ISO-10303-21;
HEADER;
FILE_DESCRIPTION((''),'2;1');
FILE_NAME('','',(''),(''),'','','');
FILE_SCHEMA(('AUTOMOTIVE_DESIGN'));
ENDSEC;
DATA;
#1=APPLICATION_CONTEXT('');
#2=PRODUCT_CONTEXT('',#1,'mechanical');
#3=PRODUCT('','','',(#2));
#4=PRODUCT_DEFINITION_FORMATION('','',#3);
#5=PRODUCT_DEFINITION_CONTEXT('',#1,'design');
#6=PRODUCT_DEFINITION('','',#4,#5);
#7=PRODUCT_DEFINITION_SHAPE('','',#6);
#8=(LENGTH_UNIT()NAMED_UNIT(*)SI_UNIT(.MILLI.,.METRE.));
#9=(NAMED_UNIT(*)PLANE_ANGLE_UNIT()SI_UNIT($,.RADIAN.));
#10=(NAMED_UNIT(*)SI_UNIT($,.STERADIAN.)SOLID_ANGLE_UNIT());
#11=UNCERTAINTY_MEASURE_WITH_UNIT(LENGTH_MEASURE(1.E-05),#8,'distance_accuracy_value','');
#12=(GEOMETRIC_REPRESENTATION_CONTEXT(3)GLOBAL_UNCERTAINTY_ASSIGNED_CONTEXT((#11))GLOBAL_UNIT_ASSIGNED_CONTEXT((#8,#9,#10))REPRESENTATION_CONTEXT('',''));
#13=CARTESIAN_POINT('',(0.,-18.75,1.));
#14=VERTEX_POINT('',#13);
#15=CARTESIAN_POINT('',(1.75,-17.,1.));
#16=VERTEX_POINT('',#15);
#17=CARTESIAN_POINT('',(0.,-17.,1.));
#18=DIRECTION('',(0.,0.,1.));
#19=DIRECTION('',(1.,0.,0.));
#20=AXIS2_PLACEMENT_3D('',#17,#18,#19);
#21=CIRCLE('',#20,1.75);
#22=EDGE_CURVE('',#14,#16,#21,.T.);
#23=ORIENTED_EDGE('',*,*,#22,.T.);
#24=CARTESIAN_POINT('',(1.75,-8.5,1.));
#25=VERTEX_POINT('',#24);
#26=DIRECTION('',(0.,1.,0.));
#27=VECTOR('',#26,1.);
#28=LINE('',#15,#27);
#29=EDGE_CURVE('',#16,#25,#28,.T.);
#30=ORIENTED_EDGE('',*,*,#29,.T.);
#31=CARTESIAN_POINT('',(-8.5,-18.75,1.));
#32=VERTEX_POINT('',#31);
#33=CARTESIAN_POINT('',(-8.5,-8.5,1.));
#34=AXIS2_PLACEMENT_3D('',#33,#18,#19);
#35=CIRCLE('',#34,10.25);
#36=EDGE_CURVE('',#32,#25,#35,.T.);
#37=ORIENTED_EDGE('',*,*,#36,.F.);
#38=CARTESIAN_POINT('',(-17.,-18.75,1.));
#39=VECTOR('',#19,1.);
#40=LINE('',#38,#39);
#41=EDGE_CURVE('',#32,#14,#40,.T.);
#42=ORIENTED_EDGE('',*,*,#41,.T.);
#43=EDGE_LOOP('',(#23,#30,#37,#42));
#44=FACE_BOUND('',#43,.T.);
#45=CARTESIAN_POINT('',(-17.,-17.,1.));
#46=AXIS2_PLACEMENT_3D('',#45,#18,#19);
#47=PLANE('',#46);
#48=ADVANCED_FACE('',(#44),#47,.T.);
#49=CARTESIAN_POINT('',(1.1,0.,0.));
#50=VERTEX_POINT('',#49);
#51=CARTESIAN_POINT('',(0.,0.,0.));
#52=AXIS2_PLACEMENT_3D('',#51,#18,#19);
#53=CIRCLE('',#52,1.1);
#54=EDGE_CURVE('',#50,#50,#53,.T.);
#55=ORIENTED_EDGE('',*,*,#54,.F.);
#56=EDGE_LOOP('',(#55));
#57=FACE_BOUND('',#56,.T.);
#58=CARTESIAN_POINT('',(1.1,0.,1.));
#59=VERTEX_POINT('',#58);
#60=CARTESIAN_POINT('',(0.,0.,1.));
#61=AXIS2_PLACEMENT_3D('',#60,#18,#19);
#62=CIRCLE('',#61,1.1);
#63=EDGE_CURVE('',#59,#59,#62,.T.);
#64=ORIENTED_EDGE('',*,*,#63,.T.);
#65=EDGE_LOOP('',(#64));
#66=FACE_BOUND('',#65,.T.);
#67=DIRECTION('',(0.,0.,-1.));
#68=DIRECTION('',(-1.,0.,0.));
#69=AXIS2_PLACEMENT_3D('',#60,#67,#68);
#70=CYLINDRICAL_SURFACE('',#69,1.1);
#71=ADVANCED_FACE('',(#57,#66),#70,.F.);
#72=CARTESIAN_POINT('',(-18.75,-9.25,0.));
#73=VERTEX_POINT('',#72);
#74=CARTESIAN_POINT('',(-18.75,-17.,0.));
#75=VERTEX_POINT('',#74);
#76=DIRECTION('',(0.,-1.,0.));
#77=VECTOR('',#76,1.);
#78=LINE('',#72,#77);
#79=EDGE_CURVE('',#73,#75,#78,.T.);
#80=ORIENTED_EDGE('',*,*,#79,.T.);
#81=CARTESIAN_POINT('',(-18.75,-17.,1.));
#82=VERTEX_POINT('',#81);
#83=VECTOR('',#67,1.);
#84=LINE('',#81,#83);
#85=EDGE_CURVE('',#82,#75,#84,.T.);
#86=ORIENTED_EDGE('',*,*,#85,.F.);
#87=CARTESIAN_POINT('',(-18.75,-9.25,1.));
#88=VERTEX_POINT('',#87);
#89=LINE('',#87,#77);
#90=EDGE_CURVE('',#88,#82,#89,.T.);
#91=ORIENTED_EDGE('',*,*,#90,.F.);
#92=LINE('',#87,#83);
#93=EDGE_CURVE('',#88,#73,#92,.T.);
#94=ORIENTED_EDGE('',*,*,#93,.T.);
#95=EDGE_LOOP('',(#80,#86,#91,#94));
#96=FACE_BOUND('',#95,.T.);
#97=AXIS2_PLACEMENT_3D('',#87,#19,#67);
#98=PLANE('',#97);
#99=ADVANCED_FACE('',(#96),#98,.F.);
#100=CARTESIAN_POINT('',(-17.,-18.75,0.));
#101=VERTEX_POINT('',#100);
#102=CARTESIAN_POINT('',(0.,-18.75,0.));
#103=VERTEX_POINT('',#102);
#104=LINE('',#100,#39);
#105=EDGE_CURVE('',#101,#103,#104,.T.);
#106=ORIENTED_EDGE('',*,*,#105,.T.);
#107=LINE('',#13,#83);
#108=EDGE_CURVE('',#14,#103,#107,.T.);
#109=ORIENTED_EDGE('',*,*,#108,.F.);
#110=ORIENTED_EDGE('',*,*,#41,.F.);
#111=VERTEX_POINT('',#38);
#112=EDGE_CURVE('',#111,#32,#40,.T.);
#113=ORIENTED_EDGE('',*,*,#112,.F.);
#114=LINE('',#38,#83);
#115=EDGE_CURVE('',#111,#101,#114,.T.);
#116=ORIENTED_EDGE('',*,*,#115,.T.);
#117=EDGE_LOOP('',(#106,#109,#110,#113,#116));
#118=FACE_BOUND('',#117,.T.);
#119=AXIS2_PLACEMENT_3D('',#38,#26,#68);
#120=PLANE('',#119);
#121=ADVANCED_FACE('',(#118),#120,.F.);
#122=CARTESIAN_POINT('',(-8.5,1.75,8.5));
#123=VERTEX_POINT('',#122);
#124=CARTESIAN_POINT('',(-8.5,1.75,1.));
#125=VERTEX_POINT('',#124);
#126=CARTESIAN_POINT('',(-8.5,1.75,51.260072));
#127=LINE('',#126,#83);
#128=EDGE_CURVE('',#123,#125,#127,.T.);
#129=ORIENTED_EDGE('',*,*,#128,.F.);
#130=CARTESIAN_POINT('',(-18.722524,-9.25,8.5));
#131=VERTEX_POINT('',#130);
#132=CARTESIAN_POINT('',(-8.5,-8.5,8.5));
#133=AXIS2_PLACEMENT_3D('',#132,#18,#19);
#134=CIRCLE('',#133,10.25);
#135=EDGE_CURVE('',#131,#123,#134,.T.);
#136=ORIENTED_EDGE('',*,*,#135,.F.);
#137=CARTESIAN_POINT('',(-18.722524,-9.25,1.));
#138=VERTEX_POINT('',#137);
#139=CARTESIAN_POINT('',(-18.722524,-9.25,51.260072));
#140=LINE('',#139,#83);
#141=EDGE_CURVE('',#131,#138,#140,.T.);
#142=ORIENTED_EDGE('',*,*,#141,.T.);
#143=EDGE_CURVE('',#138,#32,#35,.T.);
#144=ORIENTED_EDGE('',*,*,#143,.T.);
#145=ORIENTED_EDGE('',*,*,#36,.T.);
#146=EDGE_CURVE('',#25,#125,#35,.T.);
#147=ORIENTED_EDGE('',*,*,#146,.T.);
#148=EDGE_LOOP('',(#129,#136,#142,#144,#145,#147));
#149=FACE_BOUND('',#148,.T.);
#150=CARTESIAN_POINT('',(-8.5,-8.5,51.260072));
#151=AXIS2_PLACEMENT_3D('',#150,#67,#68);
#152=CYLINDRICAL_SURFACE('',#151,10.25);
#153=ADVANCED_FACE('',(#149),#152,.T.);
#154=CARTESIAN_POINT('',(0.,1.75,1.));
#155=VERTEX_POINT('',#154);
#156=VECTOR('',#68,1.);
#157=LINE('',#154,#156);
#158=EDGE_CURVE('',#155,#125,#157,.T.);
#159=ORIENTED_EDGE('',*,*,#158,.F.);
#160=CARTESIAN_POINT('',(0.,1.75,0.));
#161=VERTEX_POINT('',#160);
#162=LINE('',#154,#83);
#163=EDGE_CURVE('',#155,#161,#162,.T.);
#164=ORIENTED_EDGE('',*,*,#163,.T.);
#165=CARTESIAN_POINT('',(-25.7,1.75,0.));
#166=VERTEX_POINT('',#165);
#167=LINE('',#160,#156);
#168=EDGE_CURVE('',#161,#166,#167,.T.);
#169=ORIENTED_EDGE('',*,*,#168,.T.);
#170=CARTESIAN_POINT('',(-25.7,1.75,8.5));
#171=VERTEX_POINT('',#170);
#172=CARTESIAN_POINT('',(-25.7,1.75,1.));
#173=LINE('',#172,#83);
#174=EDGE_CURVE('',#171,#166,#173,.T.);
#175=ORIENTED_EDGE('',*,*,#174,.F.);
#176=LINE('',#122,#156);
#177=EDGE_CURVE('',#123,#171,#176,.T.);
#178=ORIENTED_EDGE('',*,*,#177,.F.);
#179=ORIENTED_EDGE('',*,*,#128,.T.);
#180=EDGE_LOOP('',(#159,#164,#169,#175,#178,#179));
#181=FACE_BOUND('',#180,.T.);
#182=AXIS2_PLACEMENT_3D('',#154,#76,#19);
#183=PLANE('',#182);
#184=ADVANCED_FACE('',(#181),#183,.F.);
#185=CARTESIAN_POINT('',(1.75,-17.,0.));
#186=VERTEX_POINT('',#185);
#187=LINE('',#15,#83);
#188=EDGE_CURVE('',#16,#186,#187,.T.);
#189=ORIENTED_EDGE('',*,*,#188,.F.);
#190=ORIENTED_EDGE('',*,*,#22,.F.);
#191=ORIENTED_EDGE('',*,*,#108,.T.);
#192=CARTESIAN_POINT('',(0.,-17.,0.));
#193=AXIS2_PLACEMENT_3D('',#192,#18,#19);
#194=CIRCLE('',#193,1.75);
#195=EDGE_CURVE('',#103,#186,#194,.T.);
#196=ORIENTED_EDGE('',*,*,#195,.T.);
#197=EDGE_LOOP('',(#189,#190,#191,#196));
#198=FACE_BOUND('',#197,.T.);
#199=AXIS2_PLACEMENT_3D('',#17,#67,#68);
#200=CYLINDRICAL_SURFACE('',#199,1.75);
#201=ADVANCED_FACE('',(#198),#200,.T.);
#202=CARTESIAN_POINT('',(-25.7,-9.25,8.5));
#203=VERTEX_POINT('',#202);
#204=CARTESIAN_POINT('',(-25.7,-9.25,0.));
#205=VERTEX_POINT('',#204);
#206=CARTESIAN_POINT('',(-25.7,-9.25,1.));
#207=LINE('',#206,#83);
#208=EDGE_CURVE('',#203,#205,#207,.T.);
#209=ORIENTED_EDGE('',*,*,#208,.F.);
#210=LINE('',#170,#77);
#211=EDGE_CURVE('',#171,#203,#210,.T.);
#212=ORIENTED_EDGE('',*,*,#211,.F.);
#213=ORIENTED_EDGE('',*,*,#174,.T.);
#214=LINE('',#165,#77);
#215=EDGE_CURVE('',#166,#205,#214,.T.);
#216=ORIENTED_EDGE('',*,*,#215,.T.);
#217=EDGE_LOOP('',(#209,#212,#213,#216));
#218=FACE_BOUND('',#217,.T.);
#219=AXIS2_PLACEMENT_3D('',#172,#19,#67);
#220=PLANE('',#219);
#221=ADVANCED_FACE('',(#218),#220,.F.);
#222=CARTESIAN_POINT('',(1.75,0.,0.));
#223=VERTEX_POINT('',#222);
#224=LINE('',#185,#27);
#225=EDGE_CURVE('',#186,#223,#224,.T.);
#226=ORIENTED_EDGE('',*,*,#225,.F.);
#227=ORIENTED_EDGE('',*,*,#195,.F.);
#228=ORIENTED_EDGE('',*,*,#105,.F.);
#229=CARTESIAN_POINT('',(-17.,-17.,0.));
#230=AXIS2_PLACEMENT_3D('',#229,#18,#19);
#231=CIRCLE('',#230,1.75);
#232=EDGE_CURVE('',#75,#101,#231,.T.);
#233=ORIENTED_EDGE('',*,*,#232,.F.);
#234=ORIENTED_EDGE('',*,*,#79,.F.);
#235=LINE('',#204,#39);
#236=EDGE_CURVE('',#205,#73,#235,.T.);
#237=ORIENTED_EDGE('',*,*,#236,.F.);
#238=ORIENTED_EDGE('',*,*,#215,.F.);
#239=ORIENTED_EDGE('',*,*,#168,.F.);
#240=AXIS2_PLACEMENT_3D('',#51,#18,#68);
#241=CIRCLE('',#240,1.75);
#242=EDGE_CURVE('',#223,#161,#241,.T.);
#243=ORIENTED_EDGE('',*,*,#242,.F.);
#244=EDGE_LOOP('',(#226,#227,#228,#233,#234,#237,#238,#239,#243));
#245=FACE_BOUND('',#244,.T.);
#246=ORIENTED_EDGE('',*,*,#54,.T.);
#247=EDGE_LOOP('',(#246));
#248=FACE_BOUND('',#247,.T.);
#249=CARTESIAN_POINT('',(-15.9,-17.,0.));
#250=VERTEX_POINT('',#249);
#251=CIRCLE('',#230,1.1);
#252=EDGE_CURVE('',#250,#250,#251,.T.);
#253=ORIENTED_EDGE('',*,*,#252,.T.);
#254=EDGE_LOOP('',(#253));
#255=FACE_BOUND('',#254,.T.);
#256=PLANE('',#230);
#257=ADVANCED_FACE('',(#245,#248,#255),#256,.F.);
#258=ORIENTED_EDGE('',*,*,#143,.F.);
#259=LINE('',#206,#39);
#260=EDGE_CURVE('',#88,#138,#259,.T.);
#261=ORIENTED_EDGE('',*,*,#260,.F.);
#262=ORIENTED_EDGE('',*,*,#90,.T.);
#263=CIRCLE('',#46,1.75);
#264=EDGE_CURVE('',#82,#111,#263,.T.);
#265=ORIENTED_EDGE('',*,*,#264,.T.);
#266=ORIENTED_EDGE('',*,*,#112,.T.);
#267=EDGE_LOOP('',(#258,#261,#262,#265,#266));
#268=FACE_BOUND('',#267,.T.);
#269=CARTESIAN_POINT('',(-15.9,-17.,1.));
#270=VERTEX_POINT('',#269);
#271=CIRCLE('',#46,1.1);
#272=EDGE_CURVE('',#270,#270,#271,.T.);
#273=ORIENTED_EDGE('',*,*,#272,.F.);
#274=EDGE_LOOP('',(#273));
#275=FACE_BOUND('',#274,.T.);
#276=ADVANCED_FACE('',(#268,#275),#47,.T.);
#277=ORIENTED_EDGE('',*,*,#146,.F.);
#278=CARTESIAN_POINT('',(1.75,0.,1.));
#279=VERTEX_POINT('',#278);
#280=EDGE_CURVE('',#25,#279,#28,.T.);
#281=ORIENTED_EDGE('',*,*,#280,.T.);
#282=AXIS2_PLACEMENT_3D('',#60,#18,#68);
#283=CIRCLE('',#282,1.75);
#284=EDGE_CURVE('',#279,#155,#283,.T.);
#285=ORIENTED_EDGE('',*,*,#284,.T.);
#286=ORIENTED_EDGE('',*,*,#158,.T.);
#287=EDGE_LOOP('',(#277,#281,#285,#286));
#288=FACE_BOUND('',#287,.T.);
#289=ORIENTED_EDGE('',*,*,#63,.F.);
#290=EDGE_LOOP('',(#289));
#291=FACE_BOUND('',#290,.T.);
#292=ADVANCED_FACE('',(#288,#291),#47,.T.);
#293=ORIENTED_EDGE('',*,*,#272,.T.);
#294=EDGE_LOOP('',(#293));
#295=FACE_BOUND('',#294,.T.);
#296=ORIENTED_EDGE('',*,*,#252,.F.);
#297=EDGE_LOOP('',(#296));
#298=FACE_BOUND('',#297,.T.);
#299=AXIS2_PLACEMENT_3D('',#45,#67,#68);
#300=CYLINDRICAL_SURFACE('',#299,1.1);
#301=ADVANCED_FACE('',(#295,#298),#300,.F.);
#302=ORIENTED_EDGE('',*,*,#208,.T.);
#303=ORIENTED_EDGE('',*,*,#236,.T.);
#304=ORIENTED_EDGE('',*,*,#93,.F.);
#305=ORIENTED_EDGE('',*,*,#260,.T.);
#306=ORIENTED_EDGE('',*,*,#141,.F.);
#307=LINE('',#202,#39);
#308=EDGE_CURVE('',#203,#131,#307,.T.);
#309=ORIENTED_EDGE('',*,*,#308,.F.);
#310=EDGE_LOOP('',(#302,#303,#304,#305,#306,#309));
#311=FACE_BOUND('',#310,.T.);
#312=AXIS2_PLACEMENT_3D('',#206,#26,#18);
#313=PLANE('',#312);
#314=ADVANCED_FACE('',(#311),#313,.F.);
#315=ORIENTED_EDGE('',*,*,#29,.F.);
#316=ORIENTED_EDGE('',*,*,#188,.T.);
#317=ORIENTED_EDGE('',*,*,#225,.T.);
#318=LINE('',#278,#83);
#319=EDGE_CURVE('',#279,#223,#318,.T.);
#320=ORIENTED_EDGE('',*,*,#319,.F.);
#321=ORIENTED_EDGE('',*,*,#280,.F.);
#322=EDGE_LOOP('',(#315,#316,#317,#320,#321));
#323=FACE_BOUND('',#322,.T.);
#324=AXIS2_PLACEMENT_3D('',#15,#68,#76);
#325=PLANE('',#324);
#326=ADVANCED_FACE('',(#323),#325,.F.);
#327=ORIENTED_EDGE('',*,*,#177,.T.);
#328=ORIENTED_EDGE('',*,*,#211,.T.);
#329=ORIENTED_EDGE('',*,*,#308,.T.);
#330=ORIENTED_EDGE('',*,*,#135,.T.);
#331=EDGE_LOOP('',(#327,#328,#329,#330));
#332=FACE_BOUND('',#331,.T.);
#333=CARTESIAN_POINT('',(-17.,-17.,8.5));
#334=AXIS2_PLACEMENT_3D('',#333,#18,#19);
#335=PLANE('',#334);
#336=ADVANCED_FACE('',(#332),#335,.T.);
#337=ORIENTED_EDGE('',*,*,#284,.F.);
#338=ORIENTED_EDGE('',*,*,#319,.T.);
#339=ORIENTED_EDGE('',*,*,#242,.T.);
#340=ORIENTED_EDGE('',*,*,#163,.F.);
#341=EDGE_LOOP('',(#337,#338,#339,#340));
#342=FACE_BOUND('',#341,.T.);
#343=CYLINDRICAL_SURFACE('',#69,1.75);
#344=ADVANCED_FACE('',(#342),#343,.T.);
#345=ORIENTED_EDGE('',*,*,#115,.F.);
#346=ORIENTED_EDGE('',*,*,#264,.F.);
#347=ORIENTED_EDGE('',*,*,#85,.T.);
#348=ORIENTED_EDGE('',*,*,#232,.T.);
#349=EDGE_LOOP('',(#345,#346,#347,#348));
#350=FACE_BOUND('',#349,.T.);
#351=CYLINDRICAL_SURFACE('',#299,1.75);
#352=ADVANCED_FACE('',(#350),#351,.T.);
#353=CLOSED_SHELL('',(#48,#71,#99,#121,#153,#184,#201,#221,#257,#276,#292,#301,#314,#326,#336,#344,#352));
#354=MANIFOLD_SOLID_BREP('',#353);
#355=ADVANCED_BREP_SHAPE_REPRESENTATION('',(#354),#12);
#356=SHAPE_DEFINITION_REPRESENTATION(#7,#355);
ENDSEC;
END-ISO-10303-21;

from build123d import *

# Parameters (mm, degrees)
SKETCH1_R           = 1.1
BOSS_EXTRUDE1_DEPTH = 1
BOSS_EXTRUDE2_DEPTH = 7.5


with BuildPart() as part:
    # Sketch1 → Boss-Extrude1 (new body)
    with BuildSketch(Plane.XY):
        with BuildLine():
            Line((0, 1.75), (-25.7, 1.75))
            Line((-25.7, 1.75), (-25.7, -9.25))
            Line((-25.7, -9.25), (-18.75, -9.25))
            Line((-18.75, -9.25), (-18.75, -17))
            ThreePointArc((-18.75, -17), (-18.237436867, -18.237436867), (-17, -18.75))
            Line((-17, -18.75), (0, -18.75))
            ThreePointArc((0, -18.75), (1.237436867, -18.237436867), (1.75, -17))
            Line((1.75, -17), (1.75, 0))
            ThreePointArc((1.75, 0), (1.237436867, 1.237436867), (0, 1.75))
        make_face()
        Circle(SKETCH1_R, mode=Mode.SUBTRACT)
        with Locations((-17, -17)):
            Circle(SKETCH1_R, mode=Mode.SUBTRACT)
    extrude(amount=BOSS_EXTRUDE1_DEPTH)

    # Sketch2 → Boss-Extrude2 (add)
    with BuildSketch(Plane.XY.offset(1)):
        with BuildLine():
            Line((-25.7, -9.25), (-18.72252415, -9.25))
            ThreePointArc((-18.72252415, -9.25), (-0.991671291, -15.477642868), (-8.5, 1.75))
            Line((-8.5, 1.75), (-25.7, 1.75))
            Line((-25.7, 1.75), (-25.7, -9.25))
        make_face()
    extrude(amount=BOSS_EXTRUDE2_DEPTH)


solid = part.part
